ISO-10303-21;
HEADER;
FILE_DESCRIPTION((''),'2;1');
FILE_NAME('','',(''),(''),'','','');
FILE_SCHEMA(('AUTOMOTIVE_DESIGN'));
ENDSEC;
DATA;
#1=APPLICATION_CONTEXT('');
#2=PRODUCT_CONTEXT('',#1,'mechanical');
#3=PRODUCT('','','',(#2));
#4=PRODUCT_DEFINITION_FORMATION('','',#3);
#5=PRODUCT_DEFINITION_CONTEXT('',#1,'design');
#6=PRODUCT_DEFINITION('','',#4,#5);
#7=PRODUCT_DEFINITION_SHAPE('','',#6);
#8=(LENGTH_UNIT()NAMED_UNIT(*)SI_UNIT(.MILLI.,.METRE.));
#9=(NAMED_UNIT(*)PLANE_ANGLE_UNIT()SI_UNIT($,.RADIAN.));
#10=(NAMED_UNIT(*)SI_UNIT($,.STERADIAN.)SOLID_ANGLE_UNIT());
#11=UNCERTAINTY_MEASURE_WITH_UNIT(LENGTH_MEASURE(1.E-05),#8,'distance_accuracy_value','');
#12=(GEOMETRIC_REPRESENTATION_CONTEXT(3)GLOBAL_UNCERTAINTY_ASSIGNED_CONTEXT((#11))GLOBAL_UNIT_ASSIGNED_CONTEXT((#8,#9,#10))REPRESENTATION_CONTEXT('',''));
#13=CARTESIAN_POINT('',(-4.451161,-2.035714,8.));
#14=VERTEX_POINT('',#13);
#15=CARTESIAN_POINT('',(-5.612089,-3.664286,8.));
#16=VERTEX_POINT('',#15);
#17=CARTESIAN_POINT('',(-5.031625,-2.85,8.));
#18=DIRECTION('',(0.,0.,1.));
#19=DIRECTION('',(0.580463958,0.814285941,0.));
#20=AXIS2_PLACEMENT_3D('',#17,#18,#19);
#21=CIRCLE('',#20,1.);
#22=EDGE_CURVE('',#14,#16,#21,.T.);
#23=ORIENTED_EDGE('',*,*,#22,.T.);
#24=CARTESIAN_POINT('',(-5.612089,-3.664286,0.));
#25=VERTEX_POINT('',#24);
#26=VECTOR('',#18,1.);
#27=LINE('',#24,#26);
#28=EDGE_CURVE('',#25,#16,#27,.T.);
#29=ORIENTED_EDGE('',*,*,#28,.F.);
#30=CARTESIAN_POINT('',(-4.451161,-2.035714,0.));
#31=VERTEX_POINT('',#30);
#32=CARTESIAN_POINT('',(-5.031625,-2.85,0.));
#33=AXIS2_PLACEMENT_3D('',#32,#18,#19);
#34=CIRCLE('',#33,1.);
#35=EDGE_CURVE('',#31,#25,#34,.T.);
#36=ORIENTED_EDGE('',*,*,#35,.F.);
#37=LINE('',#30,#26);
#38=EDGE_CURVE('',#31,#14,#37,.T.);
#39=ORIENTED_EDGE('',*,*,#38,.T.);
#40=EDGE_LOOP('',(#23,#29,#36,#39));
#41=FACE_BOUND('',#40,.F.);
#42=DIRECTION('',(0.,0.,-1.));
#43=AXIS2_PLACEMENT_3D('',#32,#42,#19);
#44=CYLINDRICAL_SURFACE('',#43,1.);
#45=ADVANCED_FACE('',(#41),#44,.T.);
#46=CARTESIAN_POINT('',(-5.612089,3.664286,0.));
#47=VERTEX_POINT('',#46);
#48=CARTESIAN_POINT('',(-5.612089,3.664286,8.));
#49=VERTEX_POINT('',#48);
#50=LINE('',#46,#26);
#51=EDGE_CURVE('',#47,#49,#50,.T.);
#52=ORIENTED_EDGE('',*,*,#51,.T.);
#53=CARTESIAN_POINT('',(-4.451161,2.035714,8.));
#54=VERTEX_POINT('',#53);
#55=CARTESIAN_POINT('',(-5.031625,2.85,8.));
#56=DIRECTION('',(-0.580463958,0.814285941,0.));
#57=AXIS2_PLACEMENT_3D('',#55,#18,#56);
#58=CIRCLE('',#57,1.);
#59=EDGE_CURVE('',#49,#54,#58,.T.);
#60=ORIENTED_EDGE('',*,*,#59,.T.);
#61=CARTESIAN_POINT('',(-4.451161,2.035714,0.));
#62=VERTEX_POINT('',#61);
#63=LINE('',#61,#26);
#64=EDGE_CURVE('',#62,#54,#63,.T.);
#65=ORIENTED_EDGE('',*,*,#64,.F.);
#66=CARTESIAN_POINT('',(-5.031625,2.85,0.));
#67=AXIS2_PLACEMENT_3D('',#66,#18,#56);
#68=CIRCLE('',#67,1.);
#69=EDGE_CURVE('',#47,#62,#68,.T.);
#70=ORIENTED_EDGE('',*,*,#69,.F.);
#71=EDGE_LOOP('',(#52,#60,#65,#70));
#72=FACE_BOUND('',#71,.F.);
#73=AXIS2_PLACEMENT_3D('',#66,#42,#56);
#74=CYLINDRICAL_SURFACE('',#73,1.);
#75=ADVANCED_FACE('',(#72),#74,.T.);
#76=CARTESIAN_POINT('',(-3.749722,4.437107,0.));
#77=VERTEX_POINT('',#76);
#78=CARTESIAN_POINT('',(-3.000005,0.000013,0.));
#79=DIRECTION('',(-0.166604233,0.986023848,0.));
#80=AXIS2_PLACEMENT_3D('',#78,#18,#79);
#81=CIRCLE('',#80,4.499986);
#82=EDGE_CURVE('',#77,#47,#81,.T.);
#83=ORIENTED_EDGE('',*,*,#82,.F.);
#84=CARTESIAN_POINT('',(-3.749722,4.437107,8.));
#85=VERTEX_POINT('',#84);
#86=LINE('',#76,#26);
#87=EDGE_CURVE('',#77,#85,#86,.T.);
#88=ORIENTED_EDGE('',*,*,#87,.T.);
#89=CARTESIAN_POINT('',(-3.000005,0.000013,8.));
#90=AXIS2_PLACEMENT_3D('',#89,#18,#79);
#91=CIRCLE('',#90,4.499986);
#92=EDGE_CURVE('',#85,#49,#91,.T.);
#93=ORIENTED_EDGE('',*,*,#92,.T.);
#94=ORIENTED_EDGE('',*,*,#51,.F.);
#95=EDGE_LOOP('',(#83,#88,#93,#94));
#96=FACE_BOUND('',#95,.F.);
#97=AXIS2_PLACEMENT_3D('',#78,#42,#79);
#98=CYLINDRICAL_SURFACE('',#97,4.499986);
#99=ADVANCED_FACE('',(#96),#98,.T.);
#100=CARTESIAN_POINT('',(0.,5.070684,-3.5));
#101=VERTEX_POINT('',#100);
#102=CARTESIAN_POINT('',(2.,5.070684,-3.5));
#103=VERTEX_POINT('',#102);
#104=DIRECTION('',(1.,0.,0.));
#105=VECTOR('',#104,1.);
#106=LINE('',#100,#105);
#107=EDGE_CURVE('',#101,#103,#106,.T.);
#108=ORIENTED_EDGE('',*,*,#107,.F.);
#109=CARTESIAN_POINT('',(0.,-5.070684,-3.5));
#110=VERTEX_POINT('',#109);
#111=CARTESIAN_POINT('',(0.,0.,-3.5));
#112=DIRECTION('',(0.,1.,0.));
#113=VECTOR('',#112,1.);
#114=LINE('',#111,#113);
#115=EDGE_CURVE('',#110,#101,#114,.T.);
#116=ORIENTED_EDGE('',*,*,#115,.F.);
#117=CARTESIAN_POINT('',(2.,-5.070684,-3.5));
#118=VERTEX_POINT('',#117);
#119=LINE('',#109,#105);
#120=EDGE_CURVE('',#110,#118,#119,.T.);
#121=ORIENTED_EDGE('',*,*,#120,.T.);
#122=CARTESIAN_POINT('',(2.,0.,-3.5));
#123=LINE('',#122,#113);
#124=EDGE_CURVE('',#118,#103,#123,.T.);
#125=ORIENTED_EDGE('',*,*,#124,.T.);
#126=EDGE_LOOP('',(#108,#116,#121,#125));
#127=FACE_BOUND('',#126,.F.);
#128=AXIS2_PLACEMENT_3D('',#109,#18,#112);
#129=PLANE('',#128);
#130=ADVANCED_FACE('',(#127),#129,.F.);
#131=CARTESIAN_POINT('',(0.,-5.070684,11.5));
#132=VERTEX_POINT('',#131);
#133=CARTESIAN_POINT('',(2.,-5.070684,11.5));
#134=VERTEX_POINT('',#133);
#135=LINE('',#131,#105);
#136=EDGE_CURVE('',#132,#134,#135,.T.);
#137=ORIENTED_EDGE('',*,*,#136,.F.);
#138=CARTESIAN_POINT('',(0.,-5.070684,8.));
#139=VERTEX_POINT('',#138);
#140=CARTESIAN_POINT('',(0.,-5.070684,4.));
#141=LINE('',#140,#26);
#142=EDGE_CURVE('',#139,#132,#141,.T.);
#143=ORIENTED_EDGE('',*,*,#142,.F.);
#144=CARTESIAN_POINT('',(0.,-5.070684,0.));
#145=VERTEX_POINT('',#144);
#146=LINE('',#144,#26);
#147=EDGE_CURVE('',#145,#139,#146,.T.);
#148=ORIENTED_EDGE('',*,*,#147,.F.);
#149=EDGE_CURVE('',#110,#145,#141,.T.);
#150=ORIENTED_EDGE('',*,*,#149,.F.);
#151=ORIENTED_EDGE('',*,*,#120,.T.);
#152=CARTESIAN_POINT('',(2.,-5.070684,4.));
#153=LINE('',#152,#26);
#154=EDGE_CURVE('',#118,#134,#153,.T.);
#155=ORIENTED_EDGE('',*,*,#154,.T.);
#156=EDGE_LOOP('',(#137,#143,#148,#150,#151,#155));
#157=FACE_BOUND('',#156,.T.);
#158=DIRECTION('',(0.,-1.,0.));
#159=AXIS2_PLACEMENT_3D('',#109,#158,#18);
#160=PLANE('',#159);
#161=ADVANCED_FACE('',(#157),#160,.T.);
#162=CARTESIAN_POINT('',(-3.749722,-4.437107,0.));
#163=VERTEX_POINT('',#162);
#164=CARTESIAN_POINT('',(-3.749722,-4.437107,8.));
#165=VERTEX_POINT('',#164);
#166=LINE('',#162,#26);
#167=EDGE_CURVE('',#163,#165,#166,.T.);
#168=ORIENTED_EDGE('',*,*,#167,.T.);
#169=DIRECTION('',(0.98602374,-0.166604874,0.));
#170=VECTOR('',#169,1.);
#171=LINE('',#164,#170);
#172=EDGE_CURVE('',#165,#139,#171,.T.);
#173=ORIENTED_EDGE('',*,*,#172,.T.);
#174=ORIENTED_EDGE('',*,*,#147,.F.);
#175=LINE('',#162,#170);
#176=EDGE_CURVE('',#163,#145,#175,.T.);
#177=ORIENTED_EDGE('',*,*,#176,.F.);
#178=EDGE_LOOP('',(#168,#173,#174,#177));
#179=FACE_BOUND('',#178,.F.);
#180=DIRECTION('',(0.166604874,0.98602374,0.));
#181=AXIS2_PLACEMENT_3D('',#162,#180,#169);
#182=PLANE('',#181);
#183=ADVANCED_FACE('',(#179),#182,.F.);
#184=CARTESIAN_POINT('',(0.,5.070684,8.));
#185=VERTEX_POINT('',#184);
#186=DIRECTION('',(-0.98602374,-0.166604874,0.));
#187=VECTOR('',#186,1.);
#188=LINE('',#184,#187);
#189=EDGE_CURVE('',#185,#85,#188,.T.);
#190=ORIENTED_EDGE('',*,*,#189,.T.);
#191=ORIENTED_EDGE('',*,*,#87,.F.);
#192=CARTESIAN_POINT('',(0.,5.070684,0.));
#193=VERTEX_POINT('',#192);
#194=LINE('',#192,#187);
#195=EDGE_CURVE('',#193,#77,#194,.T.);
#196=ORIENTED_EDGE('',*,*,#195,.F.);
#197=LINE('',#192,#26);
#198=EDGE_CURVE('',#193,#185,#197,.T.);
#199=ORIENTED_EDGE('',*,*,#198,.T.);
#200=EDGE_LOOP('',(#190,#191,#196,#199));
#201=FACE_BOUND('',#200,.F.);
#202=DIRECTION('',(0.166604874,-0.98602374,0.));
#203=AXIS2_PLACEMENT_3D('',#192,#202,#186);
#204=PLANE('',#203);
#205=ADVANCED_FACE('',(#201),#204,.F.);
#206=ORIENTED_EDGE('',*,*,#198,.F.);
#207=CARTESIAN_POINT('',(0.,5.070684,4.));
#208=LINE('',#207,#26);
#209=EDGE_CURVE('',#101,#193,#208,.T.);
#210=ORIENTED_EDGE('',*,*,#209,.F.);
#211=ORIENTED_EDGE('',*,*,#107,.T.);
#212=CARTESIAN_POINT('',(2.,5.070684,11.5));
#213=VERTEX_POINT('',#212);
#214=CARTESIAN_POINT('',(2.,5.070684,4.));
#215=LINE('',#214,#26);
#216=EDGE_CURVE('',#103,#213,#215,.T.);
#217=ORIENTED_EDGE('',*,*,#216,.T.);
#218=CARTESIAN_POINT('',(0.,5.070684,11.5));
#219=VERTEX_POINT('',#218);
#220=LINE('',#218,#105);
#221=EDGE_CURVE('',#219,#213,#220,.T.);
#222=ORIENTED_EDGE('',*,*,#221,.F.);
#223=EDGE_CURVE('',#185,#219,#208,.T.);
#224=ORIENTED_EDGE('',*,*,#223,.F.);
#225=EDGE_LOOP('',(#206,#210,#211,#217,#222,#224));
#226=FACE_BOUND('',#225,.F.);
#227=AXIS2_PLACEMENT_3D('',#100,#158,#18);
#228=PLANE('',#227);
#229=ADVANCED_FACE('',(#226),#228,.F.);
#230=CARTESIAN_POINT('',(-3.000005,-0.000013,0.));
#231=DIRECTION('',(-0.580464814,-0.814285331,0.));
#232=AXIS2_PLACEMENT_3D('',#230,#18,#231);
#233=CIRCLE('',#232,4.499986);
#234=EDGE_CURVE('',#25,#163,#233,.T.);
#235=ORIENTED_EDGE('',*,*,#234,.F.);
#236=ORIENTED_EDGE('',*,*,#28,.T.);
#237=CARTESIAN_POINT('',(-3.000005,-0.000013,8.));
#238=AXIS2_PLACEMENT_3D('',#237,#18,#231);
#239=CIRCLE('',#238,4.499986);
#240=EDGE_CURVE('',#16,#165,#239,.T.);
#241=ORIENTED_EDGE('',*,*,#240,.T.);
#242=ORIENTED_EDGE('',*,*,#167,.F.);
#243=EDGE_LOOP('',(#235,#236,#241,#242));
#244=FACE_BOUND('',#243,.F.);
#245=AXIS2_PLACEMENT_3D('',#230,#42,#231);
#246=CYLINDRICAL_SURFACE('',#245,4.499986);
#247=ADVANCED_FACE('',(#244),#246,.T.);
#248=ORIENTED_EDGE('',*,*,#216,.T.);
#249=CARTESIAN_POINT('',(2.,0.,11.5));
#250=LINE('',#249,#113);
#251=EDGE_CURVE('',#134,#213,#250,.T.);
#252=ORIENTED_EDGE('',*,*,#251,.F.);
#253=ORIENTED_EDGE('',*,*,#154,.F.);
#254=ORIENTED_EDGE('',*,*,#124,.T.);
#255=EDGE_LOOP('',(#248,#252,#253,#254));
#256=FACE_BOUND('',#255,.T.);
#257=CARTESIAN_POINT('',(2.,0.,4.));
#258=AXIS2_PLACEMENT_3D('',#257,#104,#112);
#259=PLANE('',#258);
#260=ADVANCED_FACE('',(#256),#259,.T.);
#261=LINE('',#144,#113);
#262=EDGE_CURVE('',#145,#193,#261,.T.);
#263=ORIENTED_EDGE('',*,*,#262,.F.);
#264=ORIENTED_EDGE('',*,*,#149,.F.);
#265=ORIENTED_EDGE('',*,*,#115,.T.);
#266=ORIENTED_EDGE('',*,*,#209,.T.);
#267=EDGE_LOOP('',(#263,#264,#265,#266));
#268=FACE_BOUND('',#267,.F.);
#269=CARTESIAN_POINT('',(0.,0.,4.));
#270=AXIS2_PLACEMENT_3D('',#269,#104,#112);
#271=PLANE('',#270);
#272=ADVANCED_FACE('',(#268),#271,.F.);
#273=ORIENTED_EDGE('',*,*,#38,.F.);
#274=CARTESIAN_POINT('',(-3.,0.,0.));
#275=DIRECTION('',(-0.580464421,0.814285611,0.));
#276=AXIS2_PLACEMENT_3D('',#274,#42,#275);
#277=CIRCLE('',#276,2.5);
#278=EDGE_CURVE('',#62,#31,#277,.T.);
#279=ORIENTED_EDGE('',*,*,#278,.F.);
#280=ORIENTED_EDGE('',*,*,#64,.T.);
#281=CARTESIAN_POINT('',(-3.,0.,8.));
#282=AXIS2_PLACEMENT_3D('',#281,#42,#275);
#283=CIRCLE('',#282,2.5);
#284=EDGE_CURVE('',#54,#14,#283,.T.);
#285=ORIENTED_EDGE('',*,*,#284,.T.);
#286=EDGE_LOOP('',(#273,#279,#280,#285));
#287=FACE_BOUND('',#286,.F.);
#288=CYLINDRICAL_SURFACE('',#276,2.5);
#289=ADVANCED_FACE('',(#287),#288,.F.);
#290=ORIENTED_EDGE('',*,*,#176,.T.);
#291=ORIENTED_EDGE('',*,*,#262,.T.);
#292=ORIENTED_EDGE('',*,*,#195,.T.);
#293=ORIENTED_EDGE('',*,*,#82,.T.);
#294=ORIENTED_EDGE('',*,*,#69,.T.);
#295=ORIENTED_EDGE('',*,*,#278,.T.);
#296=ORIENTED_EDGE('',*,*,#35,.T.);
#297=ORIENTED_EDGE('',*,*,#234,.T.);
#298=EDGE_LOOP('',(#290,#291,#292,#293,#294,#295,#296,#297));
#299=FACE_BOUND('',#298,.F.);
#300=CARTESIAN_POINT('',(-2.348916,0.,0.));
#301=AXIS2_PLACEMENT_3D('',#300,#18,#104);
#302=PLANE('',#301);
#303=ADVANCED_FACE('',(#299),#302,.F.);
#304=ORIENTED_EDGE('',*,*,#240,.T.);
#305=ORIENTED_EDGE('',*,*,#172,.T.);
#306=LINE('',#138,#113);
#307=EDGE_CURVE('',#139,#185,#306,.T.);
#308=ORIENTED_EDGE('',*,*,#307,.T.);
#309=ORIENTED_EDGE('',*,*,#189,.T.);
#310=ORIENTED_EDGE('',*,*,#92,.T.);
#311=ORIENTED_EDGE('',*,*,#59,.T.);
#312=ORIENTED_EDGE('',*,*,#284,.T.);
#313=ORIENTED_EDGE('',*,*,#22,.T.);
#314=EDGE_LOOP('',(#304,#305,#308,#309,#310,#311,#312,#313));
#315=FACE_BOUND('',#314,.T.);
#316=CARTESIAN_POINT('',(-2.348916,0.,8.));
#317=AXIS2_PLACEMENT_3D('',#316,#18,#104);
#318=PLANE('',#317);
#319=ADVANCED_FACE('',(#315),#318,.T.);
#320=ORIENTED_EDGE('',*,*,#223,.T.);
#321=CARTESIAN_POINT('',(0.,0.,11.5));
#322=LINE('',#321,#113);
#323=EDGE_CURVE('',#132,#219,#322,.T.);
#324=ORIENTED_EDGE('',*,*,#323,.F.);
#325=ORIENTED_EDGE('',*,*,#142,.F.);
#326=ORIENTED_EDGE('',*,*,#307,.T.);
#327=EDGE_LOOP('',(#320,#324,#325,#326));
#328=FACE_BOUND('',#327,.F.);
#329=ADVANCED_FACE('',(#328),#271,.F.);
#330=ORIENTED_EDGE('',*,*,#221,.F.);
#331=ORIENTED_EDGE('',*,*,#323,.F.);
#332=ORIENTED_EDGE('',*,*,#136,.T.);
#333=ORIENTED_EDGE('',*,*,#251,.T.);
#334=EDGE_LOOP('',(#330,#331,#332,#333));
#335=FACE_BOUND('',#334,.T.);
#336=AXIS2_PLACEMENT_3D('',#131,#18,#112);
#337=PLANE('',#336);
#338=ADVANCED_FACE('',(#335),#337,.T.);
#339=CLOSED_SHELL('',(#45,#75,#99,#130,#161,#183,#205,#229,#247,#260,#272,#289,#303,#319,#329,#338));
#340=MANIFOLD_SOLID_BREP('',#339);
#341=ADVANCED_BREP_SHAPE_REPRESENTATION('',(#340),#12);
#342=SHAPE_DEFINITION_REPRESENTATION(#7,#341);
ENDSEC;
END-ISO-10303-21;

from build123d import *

# Parameters (mm, degrees)
F1_DEPTH = 8
F2_W     = 10.141368
F2_H     = 15
F3_DEPTH = 2


with BuildPart() as f1:
    # F0 (on Top) → F1 (new body)
    with BuildSketch(Plane.XY):
        with BuildLine():
            ThreePointArc((-4.451161, 2.035714), (-0.5, 0), (-4.451161, -2.035714))
            ThreePointArc((-4.451161, -2.035714), (-5.845911, -2.269536), (-5.612089, -3.664286))
            ThreePointArc((-5.612089, -3.664286), (-4.724749, -4.15635), (-3.749722, -4.437107))
            Line((-3.749722, -4.437107), (0, -5.070684))
            Line((0, -5.070684), (0, 5.070684))
            Line((0, 5.070684), (-3.749722, 4.437107))
            ThreePointArc((-3.749722, 4.437107), (-4.724749, 4.15635), (-5.612089, 3.664286))
            ThreePointArc((-5.612089, 3.664286), (-5.845911, 2.269536), (-4.451161, 2.035714))
        make_face()
    extrude(amount=F1_DEPTH)

    # F2 (on face) → F3 (join)
    with BuildSketch(Plane.YZ):
        with Locations((0, 4)):
            Rectangle(F2_W, F2_H)
    extrude(amount=F3_DEPTH)


solid = f1.part
